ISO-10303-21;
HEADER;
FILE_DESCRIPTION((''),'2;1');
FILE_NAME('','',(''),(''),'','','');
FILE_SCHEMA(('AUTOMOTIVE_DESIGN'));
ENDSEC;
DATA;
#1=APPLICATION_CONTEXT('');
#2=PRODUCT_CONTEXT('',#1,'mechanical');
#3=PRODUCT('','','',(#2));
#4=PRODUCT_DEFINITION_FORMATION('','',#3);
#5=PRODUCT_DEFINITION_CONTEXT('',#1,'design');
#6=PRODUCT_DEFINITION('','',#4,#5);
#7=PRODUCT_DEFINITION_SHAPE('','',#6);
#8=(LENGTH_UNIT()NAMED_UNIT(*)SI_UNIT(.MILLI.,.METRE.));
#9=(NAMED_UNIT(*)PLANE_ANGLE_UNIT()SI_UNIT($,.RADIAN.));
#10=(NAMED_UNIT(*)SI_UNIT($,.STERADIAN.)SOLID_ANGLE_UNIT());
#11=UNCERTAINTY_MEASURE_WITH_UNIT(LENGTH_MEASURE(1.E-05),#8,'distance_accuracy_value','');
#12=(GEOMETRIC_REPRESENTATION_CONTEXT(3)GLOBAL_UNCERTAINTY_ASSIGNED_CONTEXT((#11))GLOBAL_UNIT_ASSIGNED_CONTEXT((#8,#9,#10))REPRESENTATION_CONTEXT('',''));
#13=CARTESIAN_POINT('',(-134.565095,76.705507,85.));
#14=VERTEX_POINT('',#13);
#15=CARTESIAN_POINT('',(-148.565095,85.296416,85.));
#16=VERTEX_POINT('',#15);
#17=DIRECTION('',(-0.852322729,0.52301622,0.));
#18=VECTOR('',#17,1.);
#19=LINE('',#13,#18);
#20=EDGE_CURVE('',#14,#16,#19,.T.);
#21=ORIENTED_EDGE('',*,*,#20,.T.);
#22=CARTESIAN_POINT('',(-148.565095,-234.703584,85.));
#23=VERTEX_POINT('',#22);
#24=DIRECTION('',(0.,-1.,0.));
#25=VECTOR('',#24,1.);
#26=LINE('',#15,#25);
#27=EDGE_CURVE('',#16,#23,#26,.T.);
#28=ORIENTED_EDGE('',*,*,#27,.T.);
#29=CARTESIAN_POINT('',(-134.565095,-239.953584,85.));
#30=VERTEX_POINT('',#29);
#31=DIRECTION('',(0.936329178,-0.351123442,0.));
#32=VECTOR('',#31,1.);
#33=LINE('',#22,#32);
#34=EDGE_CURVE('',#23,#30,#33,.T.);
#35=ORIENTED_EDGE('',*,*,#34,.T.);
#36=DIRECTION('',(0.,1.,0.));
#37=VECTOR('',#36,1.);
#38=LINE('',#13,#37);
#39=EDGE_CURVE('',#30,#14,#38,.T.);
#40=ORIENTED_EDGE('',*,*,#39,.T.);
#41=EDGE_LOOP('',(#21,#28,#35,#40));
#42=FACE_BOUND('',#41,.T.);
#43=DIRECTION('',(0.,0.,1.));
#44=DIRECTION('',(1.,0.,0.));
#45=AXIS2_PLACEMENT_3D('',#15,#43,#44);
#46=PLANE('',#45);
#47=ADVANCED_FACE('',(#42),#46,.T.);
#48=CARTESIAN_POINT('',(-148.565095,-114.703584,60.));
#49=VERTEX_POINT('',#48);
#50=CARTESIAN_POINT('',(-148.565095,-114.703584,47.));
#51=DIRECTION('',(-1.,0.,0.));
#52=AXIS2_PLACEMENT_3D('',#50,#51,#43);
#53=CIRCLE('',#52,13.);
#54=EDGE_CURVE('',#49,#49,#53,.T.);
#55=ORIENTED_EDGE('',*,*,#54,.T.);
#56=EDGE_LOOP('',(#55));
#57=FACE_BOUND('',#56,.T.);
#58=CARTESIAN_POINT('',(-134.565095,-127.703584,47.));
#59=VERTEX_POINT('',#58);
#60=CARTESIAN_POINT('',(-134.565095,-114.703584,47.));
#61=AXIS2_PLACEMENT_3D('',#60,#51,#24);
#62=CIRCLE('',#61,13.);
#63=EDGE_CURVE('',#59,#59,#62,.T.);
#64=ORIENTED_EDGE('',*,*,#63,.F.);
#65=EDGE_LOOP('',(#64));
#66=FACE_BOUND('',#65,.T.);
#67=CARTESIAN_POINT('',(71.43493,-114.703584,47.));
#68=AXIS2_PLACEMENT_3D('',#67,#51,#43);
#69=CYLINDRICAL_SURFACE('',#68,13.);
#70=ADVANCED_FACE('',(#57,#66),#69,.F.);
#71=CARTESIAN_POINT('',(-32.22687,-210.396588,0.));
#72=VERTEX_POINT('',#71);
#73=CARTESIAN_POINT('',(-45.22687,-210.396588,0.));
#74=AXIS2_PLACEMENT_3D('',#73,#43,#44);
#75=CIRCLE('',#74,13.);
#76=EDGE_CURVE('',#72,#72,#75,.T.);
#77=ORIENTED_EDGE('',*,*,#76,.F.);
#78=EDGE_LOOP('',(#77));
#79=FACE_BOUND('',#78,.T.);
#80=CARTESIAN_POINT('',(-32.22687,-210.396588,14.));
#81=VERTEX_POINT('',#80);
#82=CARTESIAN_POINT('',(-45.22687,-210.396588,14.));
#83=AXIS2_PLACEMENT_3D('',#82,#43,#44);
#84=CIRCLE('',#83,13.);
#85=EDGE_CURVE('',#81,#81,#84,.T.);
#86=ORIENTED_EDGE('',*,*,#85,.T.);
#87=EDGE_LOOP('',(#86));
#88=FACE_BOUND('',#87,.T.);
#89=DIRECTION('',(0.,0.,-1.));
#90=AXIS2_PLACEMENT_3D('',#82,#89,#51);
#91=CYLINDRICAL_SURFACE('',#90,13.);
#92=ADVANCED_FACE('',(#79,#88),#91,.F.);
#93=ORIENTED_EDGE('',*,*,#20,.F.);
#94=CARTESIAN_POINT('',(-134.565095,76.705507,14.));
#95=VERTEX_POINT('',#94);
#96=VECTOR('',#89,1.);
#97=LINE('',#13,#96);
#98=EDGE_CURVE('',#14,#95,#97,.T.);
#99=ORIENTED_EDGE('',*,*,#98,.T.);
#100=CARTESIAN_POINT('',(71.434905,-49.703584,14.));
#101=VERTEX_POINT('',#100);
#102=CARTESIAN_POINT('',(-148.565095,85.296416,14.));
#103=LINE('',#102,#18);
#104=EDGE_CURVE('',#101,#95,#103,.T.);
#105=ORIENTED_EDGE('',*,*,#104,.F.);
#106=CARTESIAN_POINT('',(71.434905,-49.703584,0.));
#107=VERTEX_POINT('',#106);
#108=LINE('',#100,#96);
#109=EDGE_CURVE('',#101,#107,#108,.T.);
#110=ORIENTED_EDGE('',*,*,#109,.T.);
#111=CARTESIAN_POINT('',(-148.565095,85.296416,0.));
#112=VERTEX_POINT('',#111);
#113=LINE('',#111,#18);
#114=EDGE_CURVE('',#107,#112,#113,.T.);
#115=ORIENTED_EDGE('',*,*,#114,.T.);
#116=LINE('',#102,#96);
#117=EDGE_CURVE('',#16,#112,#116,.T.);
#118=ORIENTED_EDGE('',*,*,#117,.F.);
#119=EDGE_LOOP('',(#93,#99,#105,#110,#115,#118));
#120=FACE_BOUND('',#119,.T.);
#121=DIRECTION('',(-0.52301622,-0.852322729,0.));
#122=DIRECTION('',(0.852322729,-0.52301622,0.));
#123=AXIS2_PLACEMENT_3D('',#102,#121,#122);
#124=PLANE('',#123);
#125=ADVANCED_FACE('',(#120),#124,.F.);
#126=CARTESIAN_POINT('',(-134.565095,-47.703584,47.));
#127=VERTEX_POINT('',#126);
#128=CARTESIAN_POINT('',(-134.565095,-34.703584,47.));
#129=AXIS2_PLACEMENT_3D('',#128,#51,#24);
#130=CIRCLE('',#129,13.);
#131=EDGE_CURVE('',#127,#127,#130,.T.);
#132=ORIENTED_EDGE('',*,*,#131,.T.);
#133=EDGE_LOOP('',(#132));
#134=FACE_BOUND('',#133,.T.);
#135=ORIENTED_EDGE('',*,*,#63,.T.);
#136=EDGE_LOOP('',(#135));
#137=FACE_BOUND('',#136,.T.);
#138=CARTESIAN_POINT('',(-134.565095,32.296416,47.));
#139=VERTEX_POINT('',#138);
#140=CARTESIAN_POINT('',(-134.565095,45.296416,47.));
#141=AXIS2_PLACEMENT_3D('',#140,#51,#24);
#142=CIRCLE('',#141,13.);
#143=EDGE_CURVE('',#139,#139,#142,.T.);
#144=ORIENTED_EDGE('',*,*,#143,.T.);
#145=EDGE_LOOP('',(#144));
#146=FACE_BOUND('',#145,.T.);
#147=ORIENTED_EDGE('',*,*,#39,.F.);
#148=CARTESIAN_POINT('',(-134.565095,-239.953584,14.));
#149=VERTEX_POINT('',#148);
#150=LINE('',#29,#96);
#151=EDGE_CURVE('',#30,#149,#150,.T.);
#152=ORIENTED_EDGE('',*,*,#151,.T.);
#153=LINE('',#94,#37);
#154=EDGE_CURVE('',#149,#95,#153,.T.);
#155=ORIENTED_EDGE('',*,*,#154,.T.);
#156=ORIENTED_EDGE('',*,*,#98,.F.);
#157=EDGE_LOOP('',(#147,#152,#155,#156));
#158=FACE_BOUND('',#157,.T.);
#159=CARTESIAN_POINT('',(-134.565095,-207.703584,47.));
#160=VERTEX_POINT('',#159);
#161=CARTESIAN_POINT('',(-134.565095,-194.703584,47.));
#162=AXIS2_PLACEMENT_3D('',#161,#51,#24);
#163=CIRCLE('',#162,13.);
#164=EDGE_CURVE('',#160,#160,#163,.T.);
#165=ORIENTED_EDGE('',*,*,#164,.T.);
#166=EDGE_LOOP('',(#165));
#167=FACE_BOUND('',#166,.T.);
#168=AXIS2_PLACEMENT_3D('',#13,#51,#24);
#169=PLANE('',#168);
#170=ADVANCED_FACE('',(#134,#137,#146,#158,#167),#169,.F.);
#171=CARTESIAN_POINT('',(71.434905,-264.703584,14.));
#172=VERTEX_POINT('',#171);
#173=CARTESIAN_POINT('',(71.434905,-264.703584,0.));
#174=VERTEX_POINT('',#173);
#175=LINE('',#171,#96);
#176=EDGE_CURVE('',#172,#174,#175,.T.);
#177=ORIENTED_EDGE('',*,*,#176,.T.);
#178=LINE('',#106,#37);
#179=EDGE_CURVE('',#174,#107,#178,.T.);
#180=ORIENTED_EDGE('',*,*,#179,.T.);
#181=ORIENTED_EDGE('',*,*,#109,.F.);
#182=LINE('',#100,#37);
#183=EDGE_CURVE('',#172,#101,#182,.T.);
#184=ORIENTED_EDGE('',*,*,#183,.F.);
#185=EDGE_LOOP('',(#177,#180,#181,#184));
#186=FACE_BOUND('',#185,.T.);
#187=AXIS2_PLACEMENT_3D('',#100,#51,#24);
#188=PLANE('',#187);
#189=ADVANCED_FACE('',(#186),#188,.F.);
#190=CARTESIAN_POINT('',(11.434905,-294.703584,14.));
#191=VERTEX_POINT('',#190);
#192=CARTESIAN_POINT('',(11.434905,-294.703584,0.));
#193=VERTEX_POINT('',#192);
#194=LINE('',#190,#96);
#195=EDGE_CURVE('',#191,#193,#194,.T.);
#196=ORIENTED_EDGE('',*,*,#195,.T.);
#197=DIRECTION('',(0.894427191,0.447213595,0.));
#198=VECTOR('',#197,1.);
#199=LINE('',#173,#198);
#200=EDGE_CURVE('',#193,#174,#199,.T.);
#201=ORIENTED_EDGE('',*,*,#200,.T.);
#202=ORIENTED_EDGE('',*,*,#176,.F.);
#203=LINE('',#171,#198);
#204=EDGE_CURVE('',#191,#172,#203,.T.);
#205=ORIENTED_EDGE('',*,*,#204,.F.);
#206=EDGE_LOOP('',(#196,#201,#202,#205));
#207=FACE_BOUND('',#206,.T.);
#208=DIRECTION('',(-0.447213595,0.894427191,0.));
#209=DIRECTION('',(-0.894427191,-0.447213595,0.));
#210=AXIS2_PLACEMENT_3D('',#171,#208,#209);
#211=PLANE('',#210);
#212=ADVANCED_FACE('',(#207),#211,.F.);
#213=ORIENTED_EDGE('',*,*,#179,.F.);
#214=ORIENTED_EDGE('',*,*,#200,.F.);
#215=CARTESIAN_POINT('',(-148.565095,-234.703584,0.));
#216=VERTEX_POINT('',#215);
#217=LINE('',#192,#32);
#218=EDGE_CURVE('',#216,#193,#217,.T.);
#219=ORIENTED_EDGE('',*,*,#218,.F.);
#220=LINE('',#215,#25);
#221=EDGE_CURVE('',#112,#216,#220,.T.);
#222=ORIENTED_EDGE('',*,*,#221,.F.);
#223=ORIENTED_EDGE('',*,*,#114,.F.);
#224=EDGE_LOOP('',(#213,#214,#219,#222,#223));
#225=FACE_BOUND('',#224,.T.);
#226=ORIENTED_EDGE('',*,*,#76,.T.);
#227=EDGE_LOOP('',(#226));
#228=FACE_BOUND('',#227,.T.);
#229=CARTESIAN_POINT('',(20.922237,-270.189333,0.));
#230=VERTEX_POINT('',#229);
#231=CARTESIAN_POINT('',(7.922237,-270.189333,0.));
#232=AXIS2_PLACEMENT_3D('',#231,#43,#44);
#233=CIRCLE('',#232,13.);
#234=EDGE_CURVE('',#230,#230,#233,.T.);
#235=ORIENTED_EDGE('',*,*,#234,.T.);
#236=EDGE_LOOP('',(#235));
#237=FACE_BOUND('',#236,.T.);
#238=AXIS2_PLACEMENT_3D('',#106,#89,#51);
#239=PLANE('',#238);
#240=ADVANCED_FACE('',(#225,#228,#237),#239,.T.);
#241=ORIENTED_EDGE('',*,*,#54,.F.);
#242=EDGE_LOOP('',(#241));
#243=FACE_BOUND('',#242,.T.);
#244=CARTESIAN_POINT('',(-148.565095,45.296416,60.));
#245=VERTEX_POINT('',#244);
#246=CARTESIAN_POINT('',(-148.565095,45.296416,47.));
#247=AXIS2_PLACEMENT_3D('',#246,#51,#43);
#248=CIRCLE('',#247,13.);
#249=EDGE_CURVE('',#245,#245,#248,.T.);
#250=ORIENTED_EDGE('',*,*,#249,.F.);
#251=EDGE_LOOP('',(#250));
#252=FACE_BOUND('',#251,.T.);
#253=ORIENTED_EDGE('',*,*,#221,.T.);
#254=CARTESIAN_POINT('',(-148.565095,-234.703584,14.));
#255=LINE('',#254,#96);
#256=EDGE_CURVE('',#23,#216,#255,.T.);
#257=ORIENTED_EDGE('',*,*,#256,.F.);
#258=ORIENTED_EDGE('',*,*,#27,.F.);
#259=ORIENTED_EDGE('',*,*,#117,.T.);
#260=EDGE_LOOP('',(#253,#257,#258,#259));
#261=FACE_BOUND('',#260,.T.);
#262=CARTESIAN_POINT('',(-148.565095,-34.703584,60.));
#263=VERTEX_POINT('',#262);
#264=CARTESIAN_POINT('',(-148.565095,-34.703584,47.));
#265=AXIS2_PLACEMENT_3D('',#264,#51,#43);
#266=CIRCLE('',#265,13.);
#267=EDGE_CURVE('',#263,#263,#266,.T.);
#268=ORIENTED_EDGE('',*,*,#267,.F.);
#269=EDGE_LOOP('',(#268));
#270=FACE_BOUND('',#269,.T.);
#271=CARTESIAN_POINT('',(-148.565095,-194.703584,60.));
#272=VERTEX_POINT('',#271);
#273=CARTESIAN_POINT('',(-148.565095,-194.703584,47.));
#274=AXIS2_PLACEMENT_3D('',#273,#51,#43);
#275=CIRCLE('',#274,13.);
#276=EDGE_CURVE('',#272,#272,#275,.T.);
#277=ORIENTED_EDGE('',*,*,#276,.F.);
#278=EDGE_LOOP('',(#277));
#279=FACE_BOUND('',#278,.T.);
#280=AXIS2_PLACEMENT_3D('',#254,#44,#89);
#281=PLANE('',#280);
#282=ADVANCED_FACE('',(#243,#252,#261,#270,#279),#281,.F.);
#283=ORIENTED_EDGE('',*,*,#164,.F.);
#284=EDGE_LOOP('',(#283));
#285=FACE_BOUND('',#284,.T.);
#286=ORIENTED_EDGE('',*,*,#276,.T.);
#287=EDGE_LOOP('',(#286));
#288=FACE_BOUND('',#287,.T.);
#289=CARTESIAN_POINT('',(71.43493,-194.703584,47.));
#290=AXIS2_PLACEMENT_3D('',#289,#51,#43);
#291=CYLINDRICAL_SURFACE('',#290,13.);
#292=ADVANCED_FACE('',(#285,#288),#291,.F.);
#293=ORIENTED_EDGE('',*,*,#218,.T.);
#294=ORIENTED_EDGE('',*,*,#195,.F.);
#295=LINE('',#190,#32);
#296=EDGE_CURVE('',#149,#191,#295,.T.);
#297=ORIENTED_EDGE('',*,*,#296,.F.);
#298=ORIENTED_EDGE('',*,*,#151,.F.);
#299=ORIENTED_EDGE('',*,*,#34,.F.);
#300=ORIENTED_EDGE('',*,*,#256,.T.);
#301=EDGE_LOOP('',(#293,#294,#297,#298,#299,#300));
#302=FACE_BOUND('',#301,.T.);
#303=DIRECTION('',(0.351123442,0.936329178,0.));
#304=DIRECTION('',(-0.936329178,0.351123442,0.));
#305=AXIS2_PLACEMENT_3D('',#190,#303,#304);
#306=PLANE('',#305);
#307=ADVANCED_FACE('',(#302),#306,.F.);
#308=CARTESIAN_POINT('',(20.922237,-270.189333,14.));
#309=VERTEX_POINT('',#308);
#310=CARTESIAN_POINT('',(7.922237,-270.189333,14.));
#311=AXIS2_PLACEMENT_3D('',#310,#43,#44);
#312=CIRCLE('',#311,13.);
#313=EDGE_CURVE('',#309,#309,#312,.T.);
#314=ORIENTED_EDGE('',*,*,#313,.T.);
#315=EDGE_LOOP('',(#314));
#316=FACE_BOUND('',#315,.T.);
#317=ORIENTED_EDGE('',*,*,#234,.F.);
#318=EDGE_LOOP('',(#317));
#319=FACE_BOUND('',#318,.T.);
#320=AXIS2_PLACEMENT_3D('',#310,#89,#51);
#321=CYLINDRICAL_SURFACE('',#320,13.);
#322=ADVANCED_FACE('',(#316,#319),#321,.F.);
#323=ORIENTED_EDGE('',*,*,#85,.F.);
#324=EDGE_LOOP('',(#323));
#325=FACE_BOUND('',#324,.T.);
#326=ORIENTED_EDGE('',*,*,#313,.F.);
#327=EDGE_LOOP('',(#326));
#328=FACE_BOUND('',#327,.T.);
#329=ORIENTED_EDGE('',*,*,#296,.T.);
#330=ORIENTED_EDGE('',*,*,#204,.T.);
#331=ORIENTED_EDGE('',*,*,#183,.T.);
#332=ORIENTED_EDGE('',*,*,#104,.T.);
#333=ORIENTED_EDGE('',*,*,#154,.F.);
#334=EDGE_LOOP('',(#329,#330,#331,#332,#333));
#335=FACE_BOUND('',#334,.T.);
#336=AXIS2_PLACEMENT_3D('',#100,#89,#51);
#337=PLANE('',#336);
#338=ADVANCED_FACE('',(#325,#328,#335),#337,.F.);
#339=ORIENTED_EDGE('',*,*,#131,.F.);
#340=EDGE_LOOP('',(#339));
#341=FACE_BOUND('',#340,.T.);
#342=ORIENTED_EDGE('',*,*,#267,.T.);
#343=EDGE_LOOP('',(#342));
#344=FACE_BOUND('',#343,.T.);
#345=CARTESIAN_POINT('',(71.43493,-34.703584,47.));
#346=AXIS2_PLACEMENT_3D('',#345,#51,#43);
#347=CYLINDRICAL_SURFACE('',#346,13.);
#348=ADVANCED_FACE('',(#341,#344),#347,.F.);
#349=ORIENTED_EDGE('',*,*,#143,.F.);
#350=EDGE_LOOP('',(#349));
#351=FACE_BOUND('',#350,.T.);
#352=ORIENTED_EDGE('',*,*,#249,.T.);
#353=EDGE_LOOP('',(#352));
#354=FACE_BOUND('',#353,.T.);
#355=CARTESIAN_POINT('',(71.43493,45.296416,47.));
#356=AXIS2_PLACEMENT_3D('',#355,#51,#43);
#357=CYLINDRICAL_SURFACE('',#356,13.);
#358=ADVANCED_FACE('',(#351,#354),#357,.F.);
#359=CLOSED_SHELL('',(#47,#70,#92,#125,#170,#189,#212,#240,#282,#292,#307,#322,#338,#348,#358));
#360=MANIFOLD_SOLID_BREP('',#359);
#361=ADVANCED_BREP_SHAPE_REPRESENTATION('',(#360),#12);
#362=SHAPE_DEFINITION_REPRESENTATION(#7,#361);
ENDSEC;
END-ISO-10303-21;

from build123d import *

# Parameters (mm, degrees)
SKETCH_1_R             = 13
EXTRUDE_1_DEPTH        = 14
EXTRUDE_2_DEPTH        = 71
SKETCH_3_R             = 13
CUT_EXTRUDE_1_DEPTH    = 378.458875419
PATTERN_LINEAR_1_COUNT = 4
PATTERN_LINEAR_1_PITCH = 80


with BuildPart() as part:
    # 草图1 → 凸台-拉伸1 (new body)
    with BuildSketch(Plane.XY):
        Polygon((71.4349048, -49.703584356), (71.4349048, -264.703584356), (11.4349048, -294.703584356), (-148.5650952, -234.703584356), (-148.5650952, 85.296415644), align=None)
        with Locations((-45.226869852, -210.396587873)):
            Circle(SKETCH_1_R, mode=Mode.SUBTRACT)
        with Locations((7.922237255, -270.189333368)):
            Circle(SKETCH_1_R, mode=Mode.SUBTRACT)
    extrude(amount=EXTRUDE_1_DEPTH)

    # 草图2 → 凸台-拉伸2 (add)
    with BuildSketch(Plane.XY.offset(14)):
        Polygon((-134.5650952, 76.705506553), (-134.5650952, -239.953584356), (-148.5650952, -234.703584356), (-148.5650952, 85.296415644), align=None)
    extrude(amount=EXTRUDE_2_DEPTH)

    # 草图3 → 切除-拉伸1 (cut, through all)
    with BuildSketch(Plane.ZY.offset(148.5650952)):
        with Locations((47, 45.296415644)):
            Circle(SKETCH_3_R)
    cut_extrude_1 = extrude(amount=-CUT_EXTRUDE_1_DEPTH, mode=Mode.SUBTRACT)

    # 阵列(线性)1: 切除-拉伸1 ×4
    with Locations(*[(0, -i * PATTERN_LINEAR_1_PITCH, 0) for i in range(1, PATTERN_LINEAR_1_COUNT)]):
        add(cut_extrude_1, mode=Mode.SUBTRACT)


solid = part.part
